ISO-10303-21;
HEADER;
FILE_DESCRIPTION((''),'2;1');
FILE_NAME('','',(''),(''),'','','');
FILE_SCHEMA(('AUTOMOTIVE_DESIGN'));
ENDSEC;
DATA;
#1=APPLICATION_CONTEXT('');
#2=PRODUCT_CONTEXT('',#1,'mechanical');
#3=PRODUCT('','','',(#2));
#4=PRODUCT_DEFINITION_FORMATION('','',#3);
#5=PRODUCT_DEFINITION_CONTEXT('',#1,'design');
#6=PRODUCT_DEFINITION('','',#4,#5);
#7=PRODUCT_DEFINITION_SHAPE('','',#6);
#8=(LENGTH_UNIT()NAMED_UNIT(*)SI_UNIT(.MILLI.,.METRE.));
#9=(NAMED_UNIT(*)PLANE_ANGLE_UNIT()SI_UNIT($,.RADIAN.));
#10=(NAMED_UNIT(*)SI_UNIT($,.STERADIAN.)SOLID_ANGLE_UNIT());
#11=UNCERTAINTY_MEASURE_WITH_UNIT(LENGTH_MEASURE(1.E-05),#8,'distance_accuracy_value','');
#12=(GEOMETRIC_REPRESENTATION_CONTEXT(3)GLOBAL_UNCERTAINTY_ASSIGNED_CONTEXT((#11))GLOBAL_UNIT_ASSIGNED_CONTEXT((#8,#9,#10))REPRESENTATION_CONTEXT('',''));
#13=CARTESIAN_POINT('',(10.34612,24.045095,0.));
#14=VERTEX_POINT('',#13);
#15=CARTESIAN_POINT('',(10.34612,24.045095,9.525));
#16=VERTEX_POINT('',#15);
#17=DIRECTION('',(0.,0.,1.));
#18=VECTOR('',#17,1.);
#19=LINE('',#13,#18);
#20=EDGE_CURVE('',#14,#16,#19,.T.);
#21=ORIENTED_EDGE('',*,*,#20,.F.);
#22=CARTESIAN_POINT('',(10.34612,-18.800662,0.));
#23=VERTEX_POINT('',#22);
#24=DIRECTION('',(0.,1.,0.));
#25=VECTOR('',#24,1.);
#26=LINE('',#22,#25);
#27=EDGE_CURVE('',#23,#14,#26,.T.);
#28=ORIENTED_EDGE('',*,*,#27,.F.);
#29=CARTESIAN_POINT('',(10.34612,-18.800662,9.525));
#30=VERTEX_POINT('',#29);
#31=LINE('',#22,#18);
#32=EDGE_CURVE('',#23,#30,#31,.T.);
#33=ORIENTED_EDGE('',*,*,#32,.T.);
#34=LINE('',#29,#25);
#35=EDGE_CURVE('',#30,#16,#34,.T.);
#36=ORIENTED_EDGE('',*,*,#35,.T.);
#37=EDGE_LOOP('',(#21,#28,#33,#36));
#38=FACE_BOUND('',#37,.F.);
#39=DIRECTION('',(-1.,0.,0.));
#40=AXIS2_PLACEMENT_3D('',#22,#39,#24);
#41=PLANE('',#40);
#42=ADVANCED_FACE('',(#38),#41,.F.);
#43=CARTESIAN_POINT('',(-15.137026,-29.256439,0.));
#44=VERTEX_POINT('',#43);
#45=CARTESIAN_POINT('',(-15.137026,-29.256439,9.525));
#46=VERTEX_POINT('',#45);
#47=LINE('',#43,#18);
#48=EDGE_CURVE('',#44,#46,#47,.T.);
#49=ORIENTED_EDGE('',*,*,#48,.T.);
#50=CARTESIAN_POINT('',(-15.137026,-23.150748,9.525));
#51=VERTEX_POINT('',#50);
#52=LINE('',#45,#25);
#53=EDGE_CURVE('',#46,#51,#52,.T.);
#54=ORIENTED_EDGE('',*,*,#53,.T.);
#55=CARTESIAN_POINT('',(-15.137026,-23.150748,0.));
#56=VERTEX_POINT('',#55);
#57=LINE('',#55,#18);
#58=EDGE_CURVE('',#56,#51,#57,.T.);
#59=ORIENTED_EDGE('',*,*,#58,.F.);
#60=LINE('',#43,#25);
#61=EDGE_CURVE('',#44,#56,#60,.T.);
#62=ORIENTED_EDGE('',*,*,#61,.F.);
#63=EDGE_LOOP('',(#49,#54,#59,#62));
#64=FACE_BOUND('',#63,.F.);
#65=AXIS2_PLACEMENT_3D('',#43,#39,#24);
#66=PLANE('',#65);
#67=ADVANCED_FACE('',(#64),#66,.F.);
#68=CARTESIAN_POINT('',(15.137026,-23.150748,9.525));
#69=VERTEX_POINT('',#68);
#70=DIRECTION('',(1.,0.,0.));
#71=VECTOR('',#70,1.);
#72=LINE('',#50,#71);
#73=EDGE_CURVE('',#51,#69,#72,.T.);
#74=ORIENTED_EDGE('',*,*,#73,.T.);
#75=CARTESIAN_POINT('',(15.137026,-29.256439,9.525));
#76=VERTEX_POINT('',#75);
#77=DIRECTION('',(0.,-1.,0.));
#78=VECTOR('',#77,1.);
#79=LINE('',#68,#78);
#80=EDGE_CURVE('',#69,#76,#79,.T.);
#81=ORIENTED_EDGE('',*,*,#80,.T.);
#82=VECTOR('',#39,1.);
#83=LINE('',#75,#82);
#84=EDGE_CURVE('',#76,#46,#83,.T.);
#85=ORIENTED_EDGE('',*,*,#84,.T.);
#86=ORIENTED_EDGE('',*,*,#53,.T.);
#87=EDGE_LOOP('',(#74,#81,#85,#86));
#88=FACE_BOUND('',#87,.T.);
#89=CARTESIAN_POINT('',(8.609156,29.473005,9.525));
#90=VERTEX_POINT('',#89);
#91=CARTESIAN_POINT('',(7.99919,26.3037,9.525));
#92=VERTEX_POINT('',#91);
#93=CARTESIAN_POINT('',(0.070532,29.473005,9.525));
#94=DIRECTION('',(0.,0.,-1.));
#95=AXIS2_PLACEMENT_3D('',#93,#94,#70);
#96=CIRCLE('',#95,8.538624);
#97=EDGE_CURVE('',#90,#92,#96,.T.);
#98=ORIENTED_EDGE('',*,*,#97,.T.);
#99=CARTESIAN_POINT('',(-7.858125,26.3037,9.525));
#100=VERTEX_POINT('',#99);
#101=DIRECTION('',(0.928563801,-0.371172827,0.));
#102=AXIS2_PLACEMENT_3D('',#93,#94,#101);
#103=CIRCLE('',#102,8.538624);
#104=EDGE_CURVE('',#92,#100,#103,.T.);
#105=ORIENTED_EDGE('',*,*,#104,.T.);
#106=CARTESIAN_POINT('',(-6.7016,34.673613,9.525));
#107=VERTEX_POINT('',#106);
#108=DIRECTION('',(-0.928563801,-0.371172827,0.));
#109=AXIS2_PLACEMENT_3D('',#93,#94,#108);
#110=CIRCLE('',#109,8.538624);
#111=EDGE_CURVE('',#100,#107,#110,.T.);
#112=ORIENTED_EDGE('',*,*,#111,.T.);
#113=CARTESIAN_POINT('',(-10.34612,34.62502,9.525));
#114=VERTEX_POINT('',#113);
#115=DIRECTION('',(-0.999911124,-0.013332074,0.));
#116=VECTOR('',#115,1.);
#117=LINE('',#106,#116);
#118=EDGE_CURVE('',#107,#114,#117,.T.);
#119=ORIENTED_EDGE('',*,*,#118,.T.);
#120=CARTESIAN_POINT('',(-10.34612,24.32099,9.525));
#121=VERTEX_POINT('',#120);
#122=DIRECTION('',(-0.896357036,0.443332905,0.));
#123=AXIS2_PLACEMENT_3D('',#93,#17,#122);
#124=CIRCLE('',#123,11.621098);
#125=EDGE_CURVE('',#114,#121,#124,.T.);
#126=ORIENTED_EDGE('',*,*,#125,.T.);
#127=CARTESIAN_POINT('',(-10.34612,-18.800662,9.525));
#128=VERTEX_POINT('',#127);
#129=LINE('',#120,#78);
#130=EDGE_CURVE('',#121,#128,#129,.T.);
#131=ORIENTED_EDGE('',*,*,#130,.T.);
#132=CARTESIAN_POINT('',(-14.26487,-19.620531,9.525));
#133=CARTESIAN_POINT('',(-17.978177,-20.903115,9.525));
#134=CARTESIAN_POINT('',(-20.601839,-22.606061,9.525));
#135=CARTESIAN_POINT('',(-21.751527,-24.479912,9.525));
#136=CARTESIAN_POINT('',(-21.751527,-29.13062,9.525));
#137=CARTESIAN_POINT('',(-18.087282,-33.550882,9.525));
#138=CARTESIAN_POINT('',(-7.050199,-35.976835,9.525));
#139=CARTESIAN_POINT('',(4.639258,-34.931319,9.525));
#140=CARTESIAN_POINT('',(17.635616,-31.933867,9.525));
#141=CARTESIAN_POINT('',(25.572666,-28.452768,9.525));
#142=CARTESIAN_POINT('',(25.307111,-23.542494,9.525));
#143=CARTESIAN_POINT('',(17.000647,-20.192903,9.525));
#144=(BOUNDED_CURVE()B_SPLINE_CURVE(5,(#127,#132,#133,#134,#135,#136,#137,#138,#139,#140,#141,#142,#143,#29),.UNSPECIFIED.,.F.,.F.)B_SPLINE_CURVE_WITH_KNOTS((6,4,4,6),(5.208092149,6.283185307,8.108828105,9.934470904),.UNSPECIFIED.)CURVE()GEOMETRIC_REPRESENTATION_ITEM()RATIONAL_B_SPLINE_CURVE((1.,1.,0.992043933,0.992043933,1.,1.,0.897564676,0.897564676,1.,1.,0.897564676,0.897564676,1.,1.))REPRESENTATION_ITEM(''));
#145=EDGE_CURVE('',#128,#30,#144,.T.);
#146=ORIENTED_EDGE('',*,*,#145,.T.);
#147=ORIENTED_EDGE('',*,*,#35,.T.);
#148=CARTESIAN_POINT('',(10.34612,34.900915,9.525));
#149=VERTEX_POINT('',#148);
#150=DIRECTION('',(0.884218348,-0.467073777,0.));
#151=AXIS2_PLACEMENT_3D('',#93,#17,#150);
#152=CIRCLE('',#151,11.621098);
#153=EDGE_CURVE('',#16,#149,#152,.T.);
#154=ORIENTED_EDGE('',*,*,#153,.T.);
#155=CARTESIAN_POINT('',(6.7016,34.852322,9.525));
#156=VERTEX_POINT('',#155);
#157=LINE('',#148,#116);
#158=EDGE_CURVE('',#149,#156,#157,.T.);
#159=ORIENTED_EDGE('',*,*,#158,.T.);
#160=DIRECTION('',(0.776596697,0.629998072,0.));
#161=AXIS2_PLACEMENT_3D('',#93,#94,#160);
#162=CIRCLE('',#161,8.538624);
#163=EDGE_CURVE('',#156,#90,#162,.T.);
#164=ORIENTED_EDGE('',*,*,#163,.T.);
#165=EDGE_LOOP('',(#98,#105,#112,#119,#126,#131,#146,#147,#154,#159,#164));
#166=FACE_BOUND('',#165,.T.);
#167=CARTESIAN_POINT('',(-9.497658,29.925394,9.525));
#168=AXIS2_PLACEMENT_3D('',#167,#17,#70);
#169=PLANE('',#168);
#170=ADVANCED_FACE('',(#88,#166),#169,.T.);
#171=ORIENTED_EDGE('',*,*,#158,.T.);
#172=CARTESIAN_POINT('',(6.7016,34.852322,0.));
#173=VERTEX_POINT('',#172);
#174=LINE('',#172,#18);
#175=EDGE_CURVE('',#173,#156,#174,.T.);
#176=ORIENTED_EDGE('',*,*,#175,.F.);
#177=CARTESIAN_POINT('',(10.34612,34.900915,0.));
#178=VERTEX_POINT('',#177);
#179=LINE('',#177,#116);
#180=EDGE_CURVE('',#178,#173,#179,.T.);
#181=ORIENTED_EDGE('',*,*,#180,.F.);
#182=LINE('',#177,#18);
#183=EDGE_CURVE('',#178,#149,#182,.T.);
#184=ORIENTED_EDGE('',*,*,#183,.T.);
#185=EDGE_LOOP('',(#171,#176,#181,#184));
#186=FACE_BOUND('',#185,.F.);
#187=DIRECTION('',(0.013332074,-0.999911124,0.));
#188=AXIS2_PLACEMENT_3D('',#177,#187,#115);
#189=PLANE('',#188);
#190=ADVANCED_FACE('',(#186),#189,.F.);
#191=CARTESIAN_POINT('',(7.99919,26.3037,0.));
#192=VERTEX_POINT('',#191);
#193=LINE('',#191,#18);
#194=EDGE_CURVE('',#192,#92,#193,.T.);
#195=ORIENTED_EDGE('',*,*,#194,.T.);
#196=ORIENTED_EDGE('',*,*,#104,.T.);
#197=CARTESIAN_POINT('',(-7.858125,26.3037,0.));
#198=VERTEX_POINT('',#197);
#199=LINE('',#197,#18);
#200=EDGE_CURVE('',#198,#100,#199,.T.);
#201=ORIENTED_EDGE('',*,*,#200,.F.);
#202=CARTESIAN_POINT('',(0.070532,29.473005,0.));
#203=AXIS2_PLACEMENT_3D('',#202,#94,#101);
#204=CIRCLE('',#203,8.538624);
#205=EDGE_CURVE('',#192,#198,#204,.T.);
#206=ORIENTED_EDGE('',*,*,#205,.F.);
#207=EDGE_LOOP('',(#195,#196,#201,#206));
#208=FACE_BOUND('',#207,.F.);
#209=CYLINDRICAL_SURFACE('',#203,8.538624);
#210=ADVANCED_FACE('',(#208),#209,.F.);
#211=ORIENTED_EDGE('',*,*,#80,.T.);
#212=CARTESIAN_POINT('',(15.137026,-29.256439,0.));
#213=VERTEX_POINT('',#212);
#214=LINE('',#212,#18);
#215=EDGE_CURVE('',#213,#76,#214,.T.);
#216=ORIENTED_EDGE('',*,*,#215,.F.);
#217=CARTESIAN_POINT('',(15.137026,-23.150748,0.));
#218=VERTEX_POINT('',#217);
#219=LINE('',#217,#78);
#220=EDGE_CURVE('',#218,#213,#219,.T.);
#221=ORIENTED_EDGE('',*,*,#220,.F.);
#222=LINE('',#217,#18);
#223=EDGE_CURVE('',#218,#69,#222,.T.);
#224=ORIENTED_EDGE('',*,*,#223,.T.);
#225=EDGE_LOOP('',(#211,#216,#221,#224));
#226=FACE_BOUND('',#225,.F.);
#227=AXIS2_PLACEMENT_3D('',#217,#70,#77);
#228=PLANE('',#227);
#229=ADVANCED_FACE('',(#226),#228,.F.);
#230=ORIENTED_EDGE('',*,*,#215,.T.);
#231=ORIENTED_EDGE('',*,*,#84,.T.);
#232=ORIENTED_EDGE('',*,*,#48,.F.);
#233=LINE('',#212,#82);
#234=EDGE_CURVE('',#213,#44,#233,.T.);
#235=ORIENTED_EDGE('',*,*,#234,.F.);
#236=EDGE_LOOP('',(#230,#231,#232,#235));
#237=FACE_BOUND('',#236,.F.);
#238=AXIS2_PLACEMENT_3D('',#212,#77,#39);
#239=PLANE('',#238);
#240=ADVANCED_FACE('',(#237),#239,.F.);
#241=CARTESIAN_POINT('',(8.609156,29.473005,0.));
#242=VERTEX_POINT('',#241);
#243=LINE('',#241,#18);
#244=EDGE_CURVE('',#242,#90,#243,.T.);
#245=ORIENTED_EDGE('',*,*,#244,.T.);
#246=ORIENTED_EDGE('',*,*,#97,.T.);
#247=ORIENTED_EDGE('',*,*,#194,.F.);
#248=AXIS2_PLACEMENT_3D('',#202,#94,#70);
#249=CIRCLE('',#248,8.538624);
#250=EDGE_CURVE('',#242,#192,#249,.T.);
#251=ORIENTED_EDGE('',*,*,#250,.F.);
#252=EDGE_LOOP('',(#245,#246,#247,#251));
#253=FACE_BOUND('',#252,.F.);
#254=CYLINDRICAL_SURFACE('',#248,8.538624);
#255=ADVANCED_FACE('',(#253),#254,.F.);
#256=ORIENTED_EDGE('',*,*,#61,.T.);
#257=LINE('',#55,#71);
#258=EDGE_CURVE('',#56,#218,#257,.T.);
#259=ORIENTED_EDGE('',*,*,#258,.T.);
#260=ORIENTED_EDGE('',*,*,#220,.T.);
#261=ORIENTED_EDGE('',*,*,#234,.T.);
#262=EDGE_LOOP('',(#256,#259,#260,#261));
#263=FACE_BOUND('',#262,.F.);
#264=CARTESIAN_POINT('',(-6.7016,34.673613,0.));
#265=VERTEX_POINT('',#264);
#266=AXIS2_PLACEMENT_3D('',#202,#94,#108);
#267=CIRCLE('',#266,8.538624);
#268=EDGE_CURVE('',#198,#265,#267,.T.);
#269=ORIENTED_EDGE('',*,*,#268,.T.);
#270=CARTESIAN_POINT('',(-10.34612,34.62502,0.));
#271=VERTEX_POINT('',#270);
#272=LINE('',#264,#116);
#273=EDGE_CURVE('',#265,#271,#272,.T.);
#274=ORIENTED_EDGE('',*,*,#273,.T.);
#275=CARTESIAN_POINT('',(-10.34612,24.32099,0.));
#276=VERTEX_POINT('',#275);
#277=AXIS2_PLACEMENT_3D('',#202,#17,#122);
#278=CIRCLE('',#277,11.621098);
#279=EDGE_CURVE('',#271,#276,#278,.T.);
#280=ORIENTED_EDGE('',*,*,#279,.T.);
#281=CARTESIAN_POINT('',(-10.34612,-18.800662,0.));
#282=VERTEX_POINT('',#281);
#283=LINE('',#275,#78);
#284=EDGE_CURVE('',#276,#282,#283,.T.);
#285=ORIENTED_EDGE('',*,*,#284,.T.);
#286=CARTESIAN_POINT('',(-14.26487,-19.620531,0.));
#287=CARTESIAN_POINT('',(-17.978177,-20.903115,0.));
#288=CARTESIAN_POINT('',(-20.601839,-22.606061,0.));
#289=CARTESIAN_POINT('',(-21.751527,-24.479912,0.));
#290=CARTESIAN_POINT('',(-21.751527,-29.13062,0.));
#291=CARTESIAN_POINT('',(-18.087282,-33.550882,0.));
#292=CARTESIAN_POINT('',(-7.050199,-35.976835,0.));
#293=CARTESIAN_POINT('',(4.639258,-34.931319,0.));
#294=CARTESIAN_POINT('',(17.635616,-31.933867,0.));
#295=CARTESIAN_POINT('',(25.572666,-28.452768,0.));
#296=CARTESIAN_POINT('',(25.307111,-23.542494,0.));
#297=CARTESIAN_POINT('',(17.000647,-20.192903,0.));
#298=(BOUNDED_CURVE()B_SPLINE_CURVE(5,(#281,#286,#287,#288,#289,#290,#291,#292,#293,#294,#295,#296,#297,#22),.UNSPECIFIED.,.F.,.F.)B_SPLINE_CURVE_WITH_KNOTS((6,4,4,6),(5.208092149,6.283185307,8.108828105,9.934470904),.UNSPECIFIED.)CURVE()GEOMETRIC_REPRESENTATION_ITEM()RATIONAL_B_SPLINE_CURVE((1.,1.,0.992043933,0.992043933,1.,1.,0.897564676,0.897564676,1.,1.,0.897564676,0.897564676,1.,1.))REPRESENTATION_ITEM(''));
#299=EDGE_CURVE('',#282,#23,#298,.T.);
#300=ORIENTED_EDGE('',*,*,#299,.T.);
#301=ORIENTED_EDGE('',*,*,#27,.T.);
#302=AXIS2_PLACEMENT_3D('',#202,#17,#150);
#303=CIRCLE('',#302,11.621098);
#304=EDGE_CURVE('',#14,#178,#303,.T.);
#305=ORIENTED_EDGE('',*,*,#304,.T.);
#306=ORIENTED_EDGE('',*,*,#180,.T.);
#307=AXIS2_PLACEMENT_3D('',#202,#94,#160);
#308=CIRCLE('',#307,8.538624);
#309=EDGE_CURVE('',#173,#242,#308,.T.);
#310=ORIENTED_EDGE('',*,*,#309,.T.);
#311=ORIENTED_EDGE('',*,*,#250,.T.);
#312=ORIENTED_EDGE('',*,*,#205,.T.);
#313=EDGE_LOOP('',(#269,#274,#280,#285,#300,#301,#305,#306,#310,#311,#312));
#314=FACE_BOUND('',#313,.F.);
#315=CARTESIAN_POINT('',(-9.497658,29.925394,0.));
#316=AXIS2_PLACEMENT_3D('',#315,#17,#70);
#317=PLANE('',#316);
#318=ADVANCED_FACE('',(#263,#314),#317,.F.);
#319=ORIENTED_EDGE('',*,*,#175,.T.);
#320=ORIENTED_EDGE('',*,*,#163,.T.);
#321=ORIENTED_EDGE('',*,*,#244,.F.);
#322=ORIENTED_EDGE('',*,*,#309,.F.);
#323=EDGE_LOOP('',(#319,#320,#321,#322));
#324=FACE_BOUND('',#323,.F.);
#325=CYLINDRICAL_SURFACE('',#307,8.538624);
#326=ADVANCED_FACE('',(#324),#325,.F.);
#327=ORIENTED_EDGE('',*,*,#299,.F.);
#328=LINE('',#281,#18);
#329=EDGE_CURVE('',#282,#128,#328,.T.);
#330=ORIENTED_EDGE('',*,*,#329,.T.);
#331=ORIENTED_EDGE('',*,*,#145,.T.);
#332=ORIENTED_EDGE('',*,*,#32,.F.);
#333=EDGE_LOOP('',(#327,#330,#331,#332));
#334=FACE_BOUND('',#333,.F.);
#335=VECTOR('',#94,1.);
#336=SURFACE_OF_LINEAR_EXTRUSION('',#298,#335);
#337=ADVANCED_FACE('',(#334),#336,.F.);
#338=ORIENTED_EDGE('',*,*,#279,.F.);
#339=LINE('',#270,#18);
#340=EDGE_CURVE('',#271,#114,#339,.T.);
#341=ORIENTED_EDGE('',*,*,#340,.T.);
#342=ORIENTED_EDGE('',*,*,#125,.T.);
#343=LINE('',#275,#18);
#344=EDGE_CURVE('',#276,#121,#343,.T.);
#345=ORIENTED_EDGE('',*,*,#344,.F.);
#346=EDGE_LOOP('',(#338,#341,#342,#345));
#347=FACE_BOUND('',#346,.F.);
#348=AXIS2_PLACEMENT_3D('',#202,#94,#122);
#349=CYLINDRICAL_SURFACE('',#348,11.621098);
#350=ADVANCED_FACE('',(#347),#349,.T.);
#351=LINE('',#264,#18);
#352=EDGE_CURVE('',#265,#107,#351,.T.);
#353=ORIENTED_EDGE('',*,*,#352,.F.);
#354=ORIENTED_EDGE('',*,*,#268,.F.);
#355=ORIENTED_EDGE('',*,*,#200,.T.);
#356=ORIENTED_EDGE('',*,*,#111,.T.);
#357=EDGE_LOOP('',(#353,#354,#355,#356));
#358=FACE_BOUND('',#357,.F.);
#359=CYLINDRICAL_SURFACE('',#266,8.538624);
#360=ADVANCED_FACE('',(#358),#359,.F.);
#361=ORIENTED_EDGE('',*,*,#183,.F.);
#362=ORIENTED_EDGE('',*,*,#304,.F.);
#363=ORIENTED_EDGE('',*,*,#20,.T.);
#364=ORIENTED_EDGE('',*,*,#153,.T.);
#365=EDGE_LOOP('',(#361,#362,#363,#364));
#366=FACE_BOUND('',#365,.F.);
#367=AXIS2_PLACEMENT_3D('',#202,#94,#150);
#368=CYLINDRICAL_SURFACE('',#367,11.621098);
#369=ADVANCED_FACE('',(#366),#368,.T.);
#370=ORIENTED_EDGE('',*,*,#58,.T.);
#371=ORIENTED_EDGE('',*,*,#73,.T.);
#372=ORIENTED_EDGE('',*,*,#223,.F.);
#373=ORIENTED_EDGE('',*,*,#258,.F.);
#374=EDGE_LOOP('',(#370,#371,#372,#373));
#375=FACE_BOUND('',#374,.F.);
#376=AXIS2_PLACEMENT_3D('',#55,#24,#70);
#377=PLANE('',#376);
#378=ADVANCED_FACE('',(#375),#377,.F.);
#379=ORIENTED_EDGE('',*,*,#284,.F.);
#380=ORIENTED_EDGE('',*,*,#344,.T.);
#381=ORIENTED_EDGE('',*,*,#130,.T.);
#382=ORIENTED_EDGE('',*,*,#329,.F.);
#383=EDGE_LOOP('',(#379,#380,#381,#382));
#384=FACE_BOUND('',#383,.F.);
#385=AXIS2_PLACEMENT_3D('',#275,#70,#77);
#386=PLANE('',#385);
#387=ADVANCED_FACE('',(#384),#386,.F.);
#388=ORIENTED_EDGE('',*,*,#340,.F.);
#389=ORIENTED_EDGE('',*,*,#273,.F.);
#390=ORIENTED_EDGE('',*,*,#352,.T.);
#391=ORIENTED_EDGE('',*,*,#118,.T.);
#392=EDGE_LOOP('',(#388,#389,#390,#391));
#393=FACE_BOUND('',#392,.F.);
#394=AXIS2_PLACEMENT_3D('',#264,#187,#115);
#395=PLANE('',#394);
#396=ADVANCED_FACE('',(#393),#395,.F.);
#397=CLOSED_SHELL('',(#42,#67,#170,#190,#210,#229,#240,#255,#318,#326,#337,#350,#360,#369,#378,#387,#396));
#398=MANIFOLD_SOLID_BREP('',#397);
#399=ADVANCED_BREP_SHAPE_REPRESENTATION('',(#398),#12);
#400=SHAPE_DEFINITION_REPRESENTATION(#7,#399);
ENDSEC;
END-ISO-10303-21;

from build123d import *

# Parameters (mm, degrees)
F1_DEPTH = 9.525


with BuildPart() as f1:
    # F0 (on Top) → F1 (new body)
    with BuildSketch(Plane.XY):
        with BuildLine():
            Line((-10.3461202234, 24.3209898999), (-10.3461202234, 26.3036996831))
            Line((-10.3461202234, 26.3036996831), (-7.8581247098, 26.3036996831))
            ThreePointArc((-7.8581247098, 26.3036996831), (-8.3877276665, 30.6417373898), (-6.7015996266, 34.6736132149))
            Line((-6.7015996266, 34.6736132149), (-10.3461202234, 34.6250198781))
            ThreePointArc((-10.3461202234, 34.6250198781), (-11.5505652345, 29.473004889), (-10.3461202234, 24.3209898999))
        make_face()
        with BuildLine():
            Line((-7.8581247098, 26.3036996831), (-10.3461202234, 26.3036996831))
            Line((-10.3461202234, 26.3036996831), (-10.3461202234, 24.3209898999))
            ThreePointArc((-10.3461202234, 24.3209898999), (-0.0844008936, 17.8529400522), (10.3461202234, 24.0450949004))
            Line((10.3461202234, 24.0450949004), (10.3461202234, 26.3036996831))
            Line((10.3461202234, 26.3036996831), (7.9991895889, 26.3036996831))
            ThreePointArc((7.9991895889, 26.3036996831), (0.0705324395, 20.9343808968), (-7.8581247098, 26.3036996831))
        make_face()
        with BuildLine():
            ThreePointArc((8.6091564318, 29.473004889), (8.4552781674, 27.8592704749), (7.9991895889, 26.3036996831))
            Line((7.9991895889, 26.3036996831), (10.3461202234, 26.3036996831))
            Line((10.3461202234, 26.3036996831), (10.3461202234, 24.0450949004))
            ThreePointArc((10.3461202234, 24.0450949004), (11.6916301135, 29.473004889), (10.3461202234, 34.9009148777))
            Line((10.3461202234, 34.9009148777), (6.7015996266, 34.8523215409))
            ThreePointArc((6.7015996266, 34.8523215409), (8.1181497595, 32.3267664683), (8.6091564318, 29.473004889))
        make_face()
        with BuildLine():
            ThreePointArc((10.3461202234, 24.0450949004), (-0.0844008936, 17.8529400522), (-10.3461202234, 24.3209898999))
            Line((-10.3461202234, 24.3209898999), (-10.3461202234, -18.8006617123))
            add(Edge.make_bspline(
                [(10.3461202234, -18.8006617123), (0, -16.6360758959), (-10.3461202234, -18.8006617123)],
                knots=[4.2166858118, 4.2166858118, 4.2166858118, 5.208092149, 5.208092149, 5.208092149], degree=2, weights=[1, 0.879634465, 1]))
            Line((10.3461202234, -18.8006617123), (10.3461202234, 24.0450949004))
        make_face()
        with BuildLine():
            Line((-10.3461202234, -23.1507476419), (-10.3461202234, -18.8006617123))
            add(Edge.make_bspline(
                [(-10.3461202234, -18.8006617123), (-21.7515267432, -21.1868683916), (-21.7515267432, -26.2035932392)],
                knots=[5.208092149, 5.208092149, 5.208092149, 6.2831853072, 6.2831853072, 6.2831853072], degree=2, weights=[1, 0.8589674907, 1]))
            add(Edge.make_bspline(
                [(-21.7515267432, -26.2035932392), (-21.7515267432, -41.0180323085), (11.1374369792, -33.4325932051), (44.0264007016, -25.8471541017), (10.3461202234, -18.8006617123)],
                knots=[0, 0, 0, 2.1083429059, 2.1083429059, 4.2166858118, 4.2166858118, 4.2166858118], degree=2, weights=[1, 0.4939483141, 1, 0.4939483141, 1]))
            Line((10.3461202234, -18.8006617123), (10.3461202234, -23.1507476419))
            Line((10.3461202234, -23.1507476419), (15.1370260864, -23.1507476419))
            Line((15.1370260864, -23.1507476419), (15.1370260864, -29.2564388365))
            Line((15.1370260864, -29.2564388365), (-15.1370260864, -29.2564388365))
            Line((-15.1370260864, -29.2564388365), (-15.1370260864, -23.1507476419))
            Line((-15.1370260864, -23.1507476419), (-10.3461202234, -23.1507476419))
        make_face()
        with BuildLine():
            add(Edge.make_bspline(
                [(10.3461202234, -18.8006617123), (0, -16.6360758959), (-10.3461202234, -18.8006617123)],
                knots=[4.2166858118, 4.2166858118, 4.2166858118, 5.208092149, 5.208092149, 5.208092149], degree=2, weights=[1, 0.879634465, 1]))
            Line((-10.3461202234, -18.8006617123), (-10.3461202234, -23.1507476419))
            Line((-10.3461202234, -23.1507476419), (10.3461202234, -23.1507476419))
            Line((10.3461202234, -23.1507476419), (10.3461202234, -18.8006617123))
        make_face()
    extrude(amount=F1_DEPTH)


solid = f1.part
